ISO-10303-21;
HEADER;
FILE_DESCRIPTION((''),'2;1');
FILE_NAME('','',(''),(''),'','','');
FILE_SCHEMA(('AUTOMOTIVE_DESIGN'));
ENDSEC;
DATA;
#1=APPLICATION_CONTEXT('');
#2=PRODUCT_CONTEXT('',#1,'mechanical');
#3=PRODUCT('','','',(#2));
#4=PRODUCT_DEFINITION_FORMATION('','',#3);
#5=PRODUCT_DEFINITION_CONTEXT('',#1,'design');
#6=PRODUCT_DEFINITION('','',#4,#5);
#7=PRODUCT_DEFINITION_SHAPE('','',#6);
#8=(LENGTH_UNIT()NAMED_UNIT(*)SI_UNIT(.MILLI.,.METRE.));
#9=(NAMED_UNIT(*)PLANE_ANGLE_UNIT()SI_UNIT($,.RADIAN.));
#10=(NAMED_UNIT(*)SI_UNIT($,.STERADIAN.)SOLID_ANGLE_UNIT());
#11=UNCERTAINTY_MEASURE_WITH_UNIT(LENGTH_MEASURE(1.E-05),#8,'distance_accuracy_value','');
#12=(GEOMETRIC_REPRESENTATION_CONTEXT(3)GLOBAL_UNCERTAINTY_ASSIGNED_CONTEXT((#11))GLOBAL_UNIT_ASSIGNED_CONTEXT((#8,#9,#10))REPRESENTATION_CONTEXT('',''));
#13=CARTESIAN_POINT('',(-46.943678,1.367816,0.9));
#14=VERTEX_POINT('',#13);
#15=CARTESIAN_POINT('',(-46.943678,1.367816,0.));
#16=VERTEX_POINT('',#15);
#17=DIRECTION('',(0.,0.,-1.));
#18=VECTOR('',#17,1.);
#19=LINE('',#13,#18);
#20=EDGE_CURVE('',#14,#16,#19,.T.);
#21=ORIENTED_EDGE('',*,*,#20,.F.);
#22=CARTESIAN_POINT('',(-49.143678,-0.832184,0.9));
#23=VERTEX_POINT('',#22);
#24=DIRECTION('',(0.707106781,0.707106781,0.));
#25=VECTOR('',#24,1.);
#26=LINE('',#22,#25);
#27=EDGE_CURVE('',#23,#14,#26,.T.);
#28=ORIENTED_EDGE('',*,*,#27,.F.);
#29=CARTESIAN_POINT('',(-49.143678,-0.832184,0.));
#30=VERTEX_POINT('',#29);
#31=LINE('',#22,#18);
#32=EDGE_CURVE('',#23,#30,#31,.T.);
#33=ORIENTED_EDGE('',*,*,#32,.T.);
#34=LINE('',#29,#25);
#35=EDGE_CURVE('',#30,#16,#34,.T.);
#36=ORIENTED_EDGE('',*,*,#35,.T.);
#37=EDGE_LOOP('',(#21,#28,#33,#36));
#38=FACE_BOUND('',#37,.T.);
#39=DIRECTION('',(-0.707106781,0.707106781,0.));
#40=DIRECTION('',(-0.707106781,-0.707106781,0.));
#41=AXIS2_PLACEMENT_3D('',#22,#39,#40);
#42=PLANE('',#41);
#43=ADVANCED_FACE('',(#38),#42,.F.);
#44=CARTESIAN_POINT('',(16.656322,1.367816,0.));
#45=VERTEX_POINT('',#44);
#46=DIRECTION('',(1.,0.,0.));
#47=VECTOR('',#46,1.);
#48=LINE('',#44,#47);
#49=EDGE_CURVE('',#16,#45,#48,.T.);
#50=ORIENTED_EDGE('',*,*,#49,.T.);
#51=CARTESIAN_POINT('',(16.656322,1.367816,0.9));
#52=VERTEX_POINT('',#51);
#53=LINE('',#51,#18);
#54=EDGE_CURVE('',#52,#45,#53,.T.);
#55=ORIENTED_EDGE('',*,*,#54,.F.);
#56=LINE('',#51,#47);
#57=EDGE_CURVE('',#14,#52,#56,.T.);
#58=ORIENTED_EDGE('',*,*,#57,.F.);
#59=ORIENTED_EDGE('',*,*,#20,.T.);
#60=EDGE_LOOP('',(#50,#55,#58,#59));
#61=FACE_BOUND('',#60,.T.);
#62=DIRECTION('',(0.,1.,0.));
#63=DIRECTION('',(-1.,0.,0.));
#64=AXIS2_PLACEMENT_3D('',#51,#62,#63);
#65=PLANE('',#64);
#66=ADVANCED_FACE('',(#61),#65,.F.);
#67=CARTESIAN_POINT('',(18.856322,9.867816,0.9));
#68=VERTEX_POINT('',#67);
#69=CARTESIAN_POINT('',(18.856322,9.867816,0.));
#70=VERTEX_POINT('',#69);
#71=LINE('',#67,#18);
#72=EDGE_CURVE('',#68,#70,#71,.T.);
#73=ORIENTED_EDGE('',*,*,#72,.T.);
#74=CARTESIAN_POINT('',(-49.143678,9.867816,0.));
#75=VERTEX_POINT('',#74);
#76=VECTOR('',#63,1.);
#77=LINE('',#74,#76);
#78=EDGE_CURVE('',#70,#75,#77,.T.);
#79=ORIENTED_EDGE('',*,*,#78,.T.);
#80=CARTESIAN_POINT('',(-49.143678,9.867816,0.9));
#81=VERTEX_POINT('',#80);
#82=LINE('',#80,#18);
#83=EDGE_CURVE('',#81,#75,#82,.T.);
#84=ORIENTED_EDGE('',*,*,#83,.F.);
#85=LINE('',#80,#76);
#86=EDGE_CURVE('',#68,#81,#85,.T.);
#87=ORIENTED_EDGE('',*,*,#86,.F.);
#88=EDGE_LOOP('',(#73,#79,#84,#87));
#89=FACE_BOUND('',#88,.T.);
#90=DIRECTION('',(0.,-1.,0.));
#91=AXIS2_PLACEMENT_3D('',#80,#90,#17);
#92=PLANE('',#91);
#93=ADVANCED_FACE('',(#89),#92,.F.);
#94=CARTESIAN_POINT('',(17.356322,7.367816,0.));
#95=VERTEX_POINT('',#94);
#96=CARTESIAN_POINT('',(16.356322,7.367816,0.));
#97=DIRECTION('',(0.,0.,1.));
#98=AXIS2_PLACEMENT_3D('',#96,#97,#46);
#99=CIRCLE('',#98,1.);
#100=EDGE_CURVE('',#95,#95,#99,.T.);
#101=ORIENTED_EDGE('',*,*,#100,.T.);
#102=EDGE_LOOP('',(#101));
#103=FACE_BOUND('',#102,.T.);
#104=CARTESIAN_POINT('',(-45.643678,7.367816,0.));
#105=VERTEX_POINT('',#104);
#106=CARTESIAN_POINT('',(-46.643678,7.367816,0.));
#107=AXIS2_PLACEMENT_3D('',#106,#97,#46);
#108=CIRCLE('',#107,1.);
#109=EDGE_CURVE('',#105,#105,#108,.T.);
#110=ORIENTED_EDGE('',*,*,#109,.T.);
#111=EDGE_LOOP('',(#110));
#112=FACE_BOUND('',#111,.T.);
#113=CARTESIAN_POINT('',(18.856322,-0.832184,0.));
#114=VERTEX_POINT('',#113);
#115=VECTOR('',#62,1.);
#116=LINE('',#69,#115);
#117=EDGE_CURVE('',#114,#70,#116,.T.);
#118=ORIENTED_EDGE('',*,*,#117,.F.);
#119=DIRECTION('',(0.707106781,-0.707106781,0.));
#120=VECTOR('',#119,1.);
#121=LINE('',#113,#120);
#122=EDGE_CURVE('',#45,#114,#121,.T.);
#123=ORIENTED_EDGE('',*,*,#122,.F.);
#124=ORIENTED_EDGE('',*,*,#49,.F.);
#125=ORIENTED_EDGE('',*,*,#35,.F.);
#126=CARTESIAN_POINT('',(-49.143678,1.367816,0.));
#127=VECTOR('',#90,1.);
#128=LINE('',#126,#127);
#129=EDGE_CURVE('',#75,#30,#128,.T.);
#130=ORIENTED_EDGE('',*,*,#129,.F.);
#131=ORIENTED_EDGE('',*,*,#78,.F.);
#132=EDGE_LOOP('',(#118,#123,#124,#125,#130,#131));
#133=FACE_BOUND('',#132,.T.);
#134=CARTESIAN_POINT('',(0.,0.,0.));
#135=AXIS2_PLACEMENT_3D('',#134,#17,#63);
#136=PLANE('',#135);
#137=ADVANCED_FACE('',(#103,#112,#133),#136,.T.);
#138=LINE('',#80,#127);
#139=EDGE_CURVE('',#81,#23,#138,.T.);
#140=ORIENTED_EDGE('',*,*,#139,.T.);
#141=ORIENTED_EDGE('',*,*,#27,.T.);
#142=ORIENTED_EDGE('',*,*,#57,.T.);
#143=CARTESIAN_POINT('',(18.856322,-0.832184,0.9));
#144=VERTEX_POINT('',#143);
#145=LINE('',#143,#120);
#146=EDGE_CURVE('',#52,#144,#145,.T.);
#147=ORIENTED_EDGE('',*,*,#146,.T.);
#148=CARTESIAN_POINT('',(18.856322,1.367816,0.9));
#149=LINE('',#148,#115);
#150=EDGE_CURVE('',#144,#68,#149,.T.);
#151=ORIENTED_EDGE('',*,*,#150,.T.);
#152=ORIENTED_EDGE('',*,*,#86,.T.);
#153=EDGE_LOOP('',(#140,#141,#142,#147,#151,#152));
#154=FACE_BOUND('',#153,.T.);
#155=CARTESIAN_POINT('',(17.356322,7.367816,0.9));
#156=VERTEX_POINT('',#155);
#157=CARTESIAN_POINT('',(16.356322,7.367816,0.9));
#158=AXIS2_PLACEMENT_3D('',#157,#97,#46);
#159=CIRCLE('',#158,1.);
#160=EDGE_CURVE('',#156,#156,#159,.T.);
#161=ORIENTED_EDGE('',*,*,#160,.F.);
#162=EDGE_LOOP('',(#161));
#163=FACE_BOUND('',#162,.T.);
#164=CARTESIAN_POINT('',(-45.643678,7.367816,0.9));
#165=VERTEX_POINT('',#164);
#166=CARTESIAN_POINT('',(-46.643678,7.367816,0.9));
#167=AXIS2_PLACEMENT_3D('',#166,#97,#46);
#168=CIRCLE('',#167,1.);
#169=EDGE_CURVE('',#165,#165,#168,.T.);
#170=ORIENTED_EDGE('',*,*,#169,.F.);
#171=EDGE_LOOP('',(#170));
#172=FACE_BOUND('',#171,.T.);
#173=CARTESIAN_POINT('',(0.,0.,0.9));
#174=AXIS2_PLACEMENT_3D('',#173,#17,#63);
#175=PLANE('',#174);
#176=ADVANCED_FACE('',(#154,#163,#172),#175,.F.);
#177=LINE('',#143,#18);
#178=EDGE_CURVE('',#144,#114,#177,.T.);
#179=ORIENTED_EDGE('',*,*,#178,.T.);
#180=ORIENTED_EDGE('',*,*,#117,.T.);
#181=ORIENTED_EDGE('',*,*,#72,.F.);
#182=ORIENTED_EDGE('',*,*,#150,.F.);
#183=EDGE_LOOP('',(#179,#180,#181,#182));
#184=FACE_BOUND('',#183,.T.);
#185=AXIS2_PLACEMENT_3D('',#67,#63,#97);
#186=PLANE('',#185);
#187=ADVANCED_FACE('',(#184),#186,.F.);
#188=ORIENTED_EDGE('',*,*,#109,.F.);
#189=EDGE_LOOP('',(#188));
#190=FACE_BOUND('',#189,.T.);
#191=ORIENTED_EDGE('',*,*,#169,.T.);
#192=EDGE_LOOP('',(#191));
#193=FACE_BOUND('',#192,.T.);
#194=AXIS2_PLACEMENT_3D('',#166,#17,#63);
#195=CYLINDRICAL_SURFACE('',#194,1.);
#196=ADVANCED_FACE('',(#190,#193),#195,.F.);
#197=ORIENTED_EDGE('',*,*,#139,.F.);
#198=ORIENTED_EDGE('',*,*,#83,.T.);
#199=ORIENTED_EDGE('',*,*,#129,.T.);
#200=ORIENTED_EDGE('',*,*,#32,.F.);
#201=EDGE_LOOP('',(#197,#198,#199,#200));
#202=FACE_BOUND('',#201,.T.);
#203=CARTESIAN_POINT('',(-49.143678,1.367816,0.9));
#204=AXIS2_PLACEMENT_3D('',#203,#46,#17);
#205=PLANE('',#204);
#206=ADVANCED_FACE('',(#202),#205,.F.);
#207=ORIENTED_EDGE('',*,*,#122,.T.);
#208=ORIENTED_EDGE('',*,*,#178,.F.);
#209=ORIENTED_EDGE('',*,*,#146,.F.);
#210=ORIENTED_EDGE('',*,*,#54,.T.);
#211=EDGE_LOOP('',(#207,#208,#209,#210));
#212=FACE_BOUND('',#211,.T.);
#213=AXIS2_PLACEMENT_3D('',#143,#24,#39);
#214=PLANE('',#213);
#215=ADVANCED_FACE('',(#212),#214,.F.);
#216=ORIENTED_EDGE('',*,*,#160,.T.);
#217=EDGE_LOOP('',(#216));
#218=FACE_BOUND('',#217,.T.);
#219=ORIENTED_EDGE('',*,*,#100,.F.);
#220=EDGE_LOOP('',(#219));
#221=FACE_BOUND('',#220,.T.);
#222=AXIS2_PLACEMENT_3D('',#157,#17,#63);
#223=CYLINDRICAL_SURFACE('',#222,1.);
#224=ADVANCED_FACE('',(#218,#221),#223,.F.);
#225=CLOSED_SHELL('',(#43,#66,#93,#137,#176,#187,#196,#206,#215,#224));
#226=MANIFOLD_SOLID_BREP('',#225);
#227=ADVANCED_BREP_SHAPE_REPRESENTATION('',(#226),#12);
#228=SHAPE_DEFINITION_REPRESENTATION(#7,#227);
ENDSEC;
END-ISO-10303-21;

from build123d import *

# Parameters (mm, degrees)
CROQUIS1_R              = 1
SALIENTE_EXTRUIR1_DEPTH = 0.9


with BuildPart() as part:
    # Croquis1 → Saliente-Extruir1 (new body)
    with BuildSketch(Plane.XY):
        Polygon((-49.143678161, 1.367816092), (-49.143678161, -0.832183908), (-46.943678161, 1.367816092), (16.656321839, 1.367816092), (18.856321839, -0.832183908), (18.856321839, 1.367816092), (18.856321839, 9.867816092), (-49.143678161, 9.867816092), align=None)
        with Locations((-46.643678161, 7.367816092)):
            Circle(CROQUIS1_R, mode=Mode.SUBTRACT)
        with Locations((16.356321839, 7.367816092)):
            Circle(CROQUIS1_R, mode=Mode.SUBTRACT)
    extrude(amount=SALIENTE_EXTRUIR1_DEPTH)


solid = part.part
